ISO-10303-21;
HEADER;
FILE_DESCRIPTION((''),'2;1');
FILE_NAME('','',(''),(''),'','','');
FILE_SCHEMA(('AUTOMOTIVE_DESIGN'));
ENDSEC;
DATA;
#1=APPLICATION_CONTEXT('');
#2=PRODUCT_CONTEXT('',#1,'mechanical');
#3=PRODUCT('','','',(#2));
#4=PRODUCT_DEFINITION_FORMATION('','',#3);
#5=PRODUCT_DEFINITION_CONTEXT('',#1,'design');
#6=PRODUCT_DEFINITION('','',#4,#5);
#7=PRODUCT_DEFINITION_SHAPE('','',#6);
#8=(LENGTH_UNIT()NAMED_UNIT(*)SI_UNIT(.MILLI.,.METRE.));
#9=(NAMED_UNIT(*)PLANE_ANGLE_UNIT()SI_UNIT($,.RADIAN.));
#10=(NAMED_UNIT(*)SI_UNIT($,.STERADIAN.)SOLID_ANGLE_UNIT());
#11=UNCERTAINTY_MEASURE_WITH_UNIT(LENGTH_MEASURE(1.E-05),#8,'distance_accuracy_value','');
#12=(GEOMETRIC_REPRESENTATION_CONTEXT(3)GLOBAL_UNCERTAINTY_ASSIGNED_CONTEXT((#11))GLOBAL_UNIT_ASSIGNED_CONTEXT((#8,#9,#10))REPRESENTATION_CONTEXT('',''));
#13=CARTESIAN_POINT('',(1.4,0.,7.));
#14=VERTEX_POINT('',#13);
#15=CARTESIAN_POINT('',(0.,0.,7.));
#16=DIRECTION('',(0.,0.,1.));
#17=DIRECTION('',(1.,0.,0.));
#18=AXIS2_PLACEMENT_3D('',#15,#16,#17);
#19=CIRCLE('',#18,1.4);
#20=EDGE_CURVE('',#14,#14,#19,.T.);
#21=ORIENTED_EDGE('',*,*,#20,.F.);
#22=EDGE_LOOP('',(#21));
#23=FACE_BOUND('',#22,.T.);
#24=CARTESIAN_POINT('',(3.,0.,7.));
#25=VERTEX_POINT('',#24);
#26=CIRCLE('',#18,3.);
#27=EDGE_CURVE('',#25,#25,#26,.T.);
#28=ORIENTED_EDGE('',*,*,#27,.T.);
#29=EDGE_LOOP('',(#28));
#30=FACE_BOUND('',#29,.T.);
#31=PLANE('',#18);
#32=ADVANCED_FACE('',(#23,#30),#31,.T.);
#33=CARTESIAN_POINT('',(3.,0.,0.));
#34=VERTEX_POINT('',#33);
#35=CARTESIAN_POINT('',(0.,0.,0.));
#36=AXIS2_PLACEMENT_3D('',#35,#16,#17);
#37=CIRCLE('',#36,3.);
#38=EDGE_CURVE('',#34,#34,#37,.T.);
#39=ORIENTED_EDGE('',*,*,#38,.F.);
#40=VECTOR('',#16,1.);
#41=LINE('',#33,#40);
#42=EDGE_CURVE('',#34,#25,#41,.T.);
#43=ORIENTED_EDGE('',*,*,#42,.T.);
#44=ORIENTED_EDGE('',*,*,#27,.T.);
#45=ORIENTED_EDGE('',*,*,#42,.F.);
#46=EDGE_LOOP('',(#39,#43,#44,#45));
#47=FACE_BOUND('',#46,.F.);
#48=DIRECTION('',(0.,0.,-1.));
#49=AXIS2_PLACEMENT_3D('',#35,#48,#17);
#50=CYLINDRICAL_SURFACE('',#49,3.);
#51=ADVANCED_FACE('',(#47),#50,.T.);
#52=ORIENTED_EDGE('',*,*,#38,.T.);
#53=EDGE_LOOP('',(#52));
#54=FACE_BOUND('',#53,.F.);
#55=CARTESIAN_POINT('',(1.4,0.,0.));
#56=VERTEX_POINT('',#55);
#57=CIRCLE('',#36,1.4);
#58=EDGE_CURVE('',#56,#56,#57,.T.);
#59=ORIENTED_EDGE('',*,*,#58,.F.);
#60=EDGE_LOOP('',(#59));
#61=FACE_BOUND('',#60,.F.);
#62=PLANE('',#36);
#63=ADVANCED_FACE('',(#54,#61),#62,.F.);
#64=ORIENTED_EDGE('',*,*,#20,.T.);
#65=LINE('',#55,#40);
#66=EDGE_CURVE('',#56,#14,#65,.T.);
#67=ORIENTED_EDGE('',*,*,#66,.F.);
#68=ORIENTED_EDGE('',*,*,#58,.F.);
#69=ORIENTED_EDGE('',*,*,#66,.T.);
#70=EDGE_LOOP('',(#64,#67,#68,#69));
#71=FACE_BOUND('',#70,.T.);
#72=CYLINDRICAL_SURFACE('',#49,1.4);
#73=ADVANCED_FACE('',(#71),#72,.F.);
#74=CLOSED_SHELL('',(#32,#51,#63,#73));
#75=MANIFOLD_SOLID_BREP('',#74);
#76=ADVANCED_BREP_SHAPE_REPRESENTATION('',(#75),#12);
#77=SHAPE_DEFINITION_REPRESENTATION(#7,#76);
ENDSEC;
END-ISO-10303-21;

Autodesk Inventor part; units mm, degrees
ref_plane "YZ Plane" through (0, 0, 0) normal (1, 0, 0) x (0, 1, 0)
ref_plane "XZ Plane" through (0, 0, 0) normal (0, 1, 0) x (-1, 0, 0)
ref_plane "XY Plane" through (0, 0, 0) normal (0, 0, 1) x (1, 0, 0)
sketch "スケッチ1" plane through (0, 0, 0) normal (0, 0, 1) x (1, 0, 0)
  circle A0 centre (0, 0) radius 3
  circle A1 centre (0, 0) radius 1.4
  dimension "d0" = 6
  dimension "d1" = 2.8
extrude "押し出し1" add sketch "スケッチ1" along normal blind 7
properties part number "4mm" material "アルミニウム 6061"
